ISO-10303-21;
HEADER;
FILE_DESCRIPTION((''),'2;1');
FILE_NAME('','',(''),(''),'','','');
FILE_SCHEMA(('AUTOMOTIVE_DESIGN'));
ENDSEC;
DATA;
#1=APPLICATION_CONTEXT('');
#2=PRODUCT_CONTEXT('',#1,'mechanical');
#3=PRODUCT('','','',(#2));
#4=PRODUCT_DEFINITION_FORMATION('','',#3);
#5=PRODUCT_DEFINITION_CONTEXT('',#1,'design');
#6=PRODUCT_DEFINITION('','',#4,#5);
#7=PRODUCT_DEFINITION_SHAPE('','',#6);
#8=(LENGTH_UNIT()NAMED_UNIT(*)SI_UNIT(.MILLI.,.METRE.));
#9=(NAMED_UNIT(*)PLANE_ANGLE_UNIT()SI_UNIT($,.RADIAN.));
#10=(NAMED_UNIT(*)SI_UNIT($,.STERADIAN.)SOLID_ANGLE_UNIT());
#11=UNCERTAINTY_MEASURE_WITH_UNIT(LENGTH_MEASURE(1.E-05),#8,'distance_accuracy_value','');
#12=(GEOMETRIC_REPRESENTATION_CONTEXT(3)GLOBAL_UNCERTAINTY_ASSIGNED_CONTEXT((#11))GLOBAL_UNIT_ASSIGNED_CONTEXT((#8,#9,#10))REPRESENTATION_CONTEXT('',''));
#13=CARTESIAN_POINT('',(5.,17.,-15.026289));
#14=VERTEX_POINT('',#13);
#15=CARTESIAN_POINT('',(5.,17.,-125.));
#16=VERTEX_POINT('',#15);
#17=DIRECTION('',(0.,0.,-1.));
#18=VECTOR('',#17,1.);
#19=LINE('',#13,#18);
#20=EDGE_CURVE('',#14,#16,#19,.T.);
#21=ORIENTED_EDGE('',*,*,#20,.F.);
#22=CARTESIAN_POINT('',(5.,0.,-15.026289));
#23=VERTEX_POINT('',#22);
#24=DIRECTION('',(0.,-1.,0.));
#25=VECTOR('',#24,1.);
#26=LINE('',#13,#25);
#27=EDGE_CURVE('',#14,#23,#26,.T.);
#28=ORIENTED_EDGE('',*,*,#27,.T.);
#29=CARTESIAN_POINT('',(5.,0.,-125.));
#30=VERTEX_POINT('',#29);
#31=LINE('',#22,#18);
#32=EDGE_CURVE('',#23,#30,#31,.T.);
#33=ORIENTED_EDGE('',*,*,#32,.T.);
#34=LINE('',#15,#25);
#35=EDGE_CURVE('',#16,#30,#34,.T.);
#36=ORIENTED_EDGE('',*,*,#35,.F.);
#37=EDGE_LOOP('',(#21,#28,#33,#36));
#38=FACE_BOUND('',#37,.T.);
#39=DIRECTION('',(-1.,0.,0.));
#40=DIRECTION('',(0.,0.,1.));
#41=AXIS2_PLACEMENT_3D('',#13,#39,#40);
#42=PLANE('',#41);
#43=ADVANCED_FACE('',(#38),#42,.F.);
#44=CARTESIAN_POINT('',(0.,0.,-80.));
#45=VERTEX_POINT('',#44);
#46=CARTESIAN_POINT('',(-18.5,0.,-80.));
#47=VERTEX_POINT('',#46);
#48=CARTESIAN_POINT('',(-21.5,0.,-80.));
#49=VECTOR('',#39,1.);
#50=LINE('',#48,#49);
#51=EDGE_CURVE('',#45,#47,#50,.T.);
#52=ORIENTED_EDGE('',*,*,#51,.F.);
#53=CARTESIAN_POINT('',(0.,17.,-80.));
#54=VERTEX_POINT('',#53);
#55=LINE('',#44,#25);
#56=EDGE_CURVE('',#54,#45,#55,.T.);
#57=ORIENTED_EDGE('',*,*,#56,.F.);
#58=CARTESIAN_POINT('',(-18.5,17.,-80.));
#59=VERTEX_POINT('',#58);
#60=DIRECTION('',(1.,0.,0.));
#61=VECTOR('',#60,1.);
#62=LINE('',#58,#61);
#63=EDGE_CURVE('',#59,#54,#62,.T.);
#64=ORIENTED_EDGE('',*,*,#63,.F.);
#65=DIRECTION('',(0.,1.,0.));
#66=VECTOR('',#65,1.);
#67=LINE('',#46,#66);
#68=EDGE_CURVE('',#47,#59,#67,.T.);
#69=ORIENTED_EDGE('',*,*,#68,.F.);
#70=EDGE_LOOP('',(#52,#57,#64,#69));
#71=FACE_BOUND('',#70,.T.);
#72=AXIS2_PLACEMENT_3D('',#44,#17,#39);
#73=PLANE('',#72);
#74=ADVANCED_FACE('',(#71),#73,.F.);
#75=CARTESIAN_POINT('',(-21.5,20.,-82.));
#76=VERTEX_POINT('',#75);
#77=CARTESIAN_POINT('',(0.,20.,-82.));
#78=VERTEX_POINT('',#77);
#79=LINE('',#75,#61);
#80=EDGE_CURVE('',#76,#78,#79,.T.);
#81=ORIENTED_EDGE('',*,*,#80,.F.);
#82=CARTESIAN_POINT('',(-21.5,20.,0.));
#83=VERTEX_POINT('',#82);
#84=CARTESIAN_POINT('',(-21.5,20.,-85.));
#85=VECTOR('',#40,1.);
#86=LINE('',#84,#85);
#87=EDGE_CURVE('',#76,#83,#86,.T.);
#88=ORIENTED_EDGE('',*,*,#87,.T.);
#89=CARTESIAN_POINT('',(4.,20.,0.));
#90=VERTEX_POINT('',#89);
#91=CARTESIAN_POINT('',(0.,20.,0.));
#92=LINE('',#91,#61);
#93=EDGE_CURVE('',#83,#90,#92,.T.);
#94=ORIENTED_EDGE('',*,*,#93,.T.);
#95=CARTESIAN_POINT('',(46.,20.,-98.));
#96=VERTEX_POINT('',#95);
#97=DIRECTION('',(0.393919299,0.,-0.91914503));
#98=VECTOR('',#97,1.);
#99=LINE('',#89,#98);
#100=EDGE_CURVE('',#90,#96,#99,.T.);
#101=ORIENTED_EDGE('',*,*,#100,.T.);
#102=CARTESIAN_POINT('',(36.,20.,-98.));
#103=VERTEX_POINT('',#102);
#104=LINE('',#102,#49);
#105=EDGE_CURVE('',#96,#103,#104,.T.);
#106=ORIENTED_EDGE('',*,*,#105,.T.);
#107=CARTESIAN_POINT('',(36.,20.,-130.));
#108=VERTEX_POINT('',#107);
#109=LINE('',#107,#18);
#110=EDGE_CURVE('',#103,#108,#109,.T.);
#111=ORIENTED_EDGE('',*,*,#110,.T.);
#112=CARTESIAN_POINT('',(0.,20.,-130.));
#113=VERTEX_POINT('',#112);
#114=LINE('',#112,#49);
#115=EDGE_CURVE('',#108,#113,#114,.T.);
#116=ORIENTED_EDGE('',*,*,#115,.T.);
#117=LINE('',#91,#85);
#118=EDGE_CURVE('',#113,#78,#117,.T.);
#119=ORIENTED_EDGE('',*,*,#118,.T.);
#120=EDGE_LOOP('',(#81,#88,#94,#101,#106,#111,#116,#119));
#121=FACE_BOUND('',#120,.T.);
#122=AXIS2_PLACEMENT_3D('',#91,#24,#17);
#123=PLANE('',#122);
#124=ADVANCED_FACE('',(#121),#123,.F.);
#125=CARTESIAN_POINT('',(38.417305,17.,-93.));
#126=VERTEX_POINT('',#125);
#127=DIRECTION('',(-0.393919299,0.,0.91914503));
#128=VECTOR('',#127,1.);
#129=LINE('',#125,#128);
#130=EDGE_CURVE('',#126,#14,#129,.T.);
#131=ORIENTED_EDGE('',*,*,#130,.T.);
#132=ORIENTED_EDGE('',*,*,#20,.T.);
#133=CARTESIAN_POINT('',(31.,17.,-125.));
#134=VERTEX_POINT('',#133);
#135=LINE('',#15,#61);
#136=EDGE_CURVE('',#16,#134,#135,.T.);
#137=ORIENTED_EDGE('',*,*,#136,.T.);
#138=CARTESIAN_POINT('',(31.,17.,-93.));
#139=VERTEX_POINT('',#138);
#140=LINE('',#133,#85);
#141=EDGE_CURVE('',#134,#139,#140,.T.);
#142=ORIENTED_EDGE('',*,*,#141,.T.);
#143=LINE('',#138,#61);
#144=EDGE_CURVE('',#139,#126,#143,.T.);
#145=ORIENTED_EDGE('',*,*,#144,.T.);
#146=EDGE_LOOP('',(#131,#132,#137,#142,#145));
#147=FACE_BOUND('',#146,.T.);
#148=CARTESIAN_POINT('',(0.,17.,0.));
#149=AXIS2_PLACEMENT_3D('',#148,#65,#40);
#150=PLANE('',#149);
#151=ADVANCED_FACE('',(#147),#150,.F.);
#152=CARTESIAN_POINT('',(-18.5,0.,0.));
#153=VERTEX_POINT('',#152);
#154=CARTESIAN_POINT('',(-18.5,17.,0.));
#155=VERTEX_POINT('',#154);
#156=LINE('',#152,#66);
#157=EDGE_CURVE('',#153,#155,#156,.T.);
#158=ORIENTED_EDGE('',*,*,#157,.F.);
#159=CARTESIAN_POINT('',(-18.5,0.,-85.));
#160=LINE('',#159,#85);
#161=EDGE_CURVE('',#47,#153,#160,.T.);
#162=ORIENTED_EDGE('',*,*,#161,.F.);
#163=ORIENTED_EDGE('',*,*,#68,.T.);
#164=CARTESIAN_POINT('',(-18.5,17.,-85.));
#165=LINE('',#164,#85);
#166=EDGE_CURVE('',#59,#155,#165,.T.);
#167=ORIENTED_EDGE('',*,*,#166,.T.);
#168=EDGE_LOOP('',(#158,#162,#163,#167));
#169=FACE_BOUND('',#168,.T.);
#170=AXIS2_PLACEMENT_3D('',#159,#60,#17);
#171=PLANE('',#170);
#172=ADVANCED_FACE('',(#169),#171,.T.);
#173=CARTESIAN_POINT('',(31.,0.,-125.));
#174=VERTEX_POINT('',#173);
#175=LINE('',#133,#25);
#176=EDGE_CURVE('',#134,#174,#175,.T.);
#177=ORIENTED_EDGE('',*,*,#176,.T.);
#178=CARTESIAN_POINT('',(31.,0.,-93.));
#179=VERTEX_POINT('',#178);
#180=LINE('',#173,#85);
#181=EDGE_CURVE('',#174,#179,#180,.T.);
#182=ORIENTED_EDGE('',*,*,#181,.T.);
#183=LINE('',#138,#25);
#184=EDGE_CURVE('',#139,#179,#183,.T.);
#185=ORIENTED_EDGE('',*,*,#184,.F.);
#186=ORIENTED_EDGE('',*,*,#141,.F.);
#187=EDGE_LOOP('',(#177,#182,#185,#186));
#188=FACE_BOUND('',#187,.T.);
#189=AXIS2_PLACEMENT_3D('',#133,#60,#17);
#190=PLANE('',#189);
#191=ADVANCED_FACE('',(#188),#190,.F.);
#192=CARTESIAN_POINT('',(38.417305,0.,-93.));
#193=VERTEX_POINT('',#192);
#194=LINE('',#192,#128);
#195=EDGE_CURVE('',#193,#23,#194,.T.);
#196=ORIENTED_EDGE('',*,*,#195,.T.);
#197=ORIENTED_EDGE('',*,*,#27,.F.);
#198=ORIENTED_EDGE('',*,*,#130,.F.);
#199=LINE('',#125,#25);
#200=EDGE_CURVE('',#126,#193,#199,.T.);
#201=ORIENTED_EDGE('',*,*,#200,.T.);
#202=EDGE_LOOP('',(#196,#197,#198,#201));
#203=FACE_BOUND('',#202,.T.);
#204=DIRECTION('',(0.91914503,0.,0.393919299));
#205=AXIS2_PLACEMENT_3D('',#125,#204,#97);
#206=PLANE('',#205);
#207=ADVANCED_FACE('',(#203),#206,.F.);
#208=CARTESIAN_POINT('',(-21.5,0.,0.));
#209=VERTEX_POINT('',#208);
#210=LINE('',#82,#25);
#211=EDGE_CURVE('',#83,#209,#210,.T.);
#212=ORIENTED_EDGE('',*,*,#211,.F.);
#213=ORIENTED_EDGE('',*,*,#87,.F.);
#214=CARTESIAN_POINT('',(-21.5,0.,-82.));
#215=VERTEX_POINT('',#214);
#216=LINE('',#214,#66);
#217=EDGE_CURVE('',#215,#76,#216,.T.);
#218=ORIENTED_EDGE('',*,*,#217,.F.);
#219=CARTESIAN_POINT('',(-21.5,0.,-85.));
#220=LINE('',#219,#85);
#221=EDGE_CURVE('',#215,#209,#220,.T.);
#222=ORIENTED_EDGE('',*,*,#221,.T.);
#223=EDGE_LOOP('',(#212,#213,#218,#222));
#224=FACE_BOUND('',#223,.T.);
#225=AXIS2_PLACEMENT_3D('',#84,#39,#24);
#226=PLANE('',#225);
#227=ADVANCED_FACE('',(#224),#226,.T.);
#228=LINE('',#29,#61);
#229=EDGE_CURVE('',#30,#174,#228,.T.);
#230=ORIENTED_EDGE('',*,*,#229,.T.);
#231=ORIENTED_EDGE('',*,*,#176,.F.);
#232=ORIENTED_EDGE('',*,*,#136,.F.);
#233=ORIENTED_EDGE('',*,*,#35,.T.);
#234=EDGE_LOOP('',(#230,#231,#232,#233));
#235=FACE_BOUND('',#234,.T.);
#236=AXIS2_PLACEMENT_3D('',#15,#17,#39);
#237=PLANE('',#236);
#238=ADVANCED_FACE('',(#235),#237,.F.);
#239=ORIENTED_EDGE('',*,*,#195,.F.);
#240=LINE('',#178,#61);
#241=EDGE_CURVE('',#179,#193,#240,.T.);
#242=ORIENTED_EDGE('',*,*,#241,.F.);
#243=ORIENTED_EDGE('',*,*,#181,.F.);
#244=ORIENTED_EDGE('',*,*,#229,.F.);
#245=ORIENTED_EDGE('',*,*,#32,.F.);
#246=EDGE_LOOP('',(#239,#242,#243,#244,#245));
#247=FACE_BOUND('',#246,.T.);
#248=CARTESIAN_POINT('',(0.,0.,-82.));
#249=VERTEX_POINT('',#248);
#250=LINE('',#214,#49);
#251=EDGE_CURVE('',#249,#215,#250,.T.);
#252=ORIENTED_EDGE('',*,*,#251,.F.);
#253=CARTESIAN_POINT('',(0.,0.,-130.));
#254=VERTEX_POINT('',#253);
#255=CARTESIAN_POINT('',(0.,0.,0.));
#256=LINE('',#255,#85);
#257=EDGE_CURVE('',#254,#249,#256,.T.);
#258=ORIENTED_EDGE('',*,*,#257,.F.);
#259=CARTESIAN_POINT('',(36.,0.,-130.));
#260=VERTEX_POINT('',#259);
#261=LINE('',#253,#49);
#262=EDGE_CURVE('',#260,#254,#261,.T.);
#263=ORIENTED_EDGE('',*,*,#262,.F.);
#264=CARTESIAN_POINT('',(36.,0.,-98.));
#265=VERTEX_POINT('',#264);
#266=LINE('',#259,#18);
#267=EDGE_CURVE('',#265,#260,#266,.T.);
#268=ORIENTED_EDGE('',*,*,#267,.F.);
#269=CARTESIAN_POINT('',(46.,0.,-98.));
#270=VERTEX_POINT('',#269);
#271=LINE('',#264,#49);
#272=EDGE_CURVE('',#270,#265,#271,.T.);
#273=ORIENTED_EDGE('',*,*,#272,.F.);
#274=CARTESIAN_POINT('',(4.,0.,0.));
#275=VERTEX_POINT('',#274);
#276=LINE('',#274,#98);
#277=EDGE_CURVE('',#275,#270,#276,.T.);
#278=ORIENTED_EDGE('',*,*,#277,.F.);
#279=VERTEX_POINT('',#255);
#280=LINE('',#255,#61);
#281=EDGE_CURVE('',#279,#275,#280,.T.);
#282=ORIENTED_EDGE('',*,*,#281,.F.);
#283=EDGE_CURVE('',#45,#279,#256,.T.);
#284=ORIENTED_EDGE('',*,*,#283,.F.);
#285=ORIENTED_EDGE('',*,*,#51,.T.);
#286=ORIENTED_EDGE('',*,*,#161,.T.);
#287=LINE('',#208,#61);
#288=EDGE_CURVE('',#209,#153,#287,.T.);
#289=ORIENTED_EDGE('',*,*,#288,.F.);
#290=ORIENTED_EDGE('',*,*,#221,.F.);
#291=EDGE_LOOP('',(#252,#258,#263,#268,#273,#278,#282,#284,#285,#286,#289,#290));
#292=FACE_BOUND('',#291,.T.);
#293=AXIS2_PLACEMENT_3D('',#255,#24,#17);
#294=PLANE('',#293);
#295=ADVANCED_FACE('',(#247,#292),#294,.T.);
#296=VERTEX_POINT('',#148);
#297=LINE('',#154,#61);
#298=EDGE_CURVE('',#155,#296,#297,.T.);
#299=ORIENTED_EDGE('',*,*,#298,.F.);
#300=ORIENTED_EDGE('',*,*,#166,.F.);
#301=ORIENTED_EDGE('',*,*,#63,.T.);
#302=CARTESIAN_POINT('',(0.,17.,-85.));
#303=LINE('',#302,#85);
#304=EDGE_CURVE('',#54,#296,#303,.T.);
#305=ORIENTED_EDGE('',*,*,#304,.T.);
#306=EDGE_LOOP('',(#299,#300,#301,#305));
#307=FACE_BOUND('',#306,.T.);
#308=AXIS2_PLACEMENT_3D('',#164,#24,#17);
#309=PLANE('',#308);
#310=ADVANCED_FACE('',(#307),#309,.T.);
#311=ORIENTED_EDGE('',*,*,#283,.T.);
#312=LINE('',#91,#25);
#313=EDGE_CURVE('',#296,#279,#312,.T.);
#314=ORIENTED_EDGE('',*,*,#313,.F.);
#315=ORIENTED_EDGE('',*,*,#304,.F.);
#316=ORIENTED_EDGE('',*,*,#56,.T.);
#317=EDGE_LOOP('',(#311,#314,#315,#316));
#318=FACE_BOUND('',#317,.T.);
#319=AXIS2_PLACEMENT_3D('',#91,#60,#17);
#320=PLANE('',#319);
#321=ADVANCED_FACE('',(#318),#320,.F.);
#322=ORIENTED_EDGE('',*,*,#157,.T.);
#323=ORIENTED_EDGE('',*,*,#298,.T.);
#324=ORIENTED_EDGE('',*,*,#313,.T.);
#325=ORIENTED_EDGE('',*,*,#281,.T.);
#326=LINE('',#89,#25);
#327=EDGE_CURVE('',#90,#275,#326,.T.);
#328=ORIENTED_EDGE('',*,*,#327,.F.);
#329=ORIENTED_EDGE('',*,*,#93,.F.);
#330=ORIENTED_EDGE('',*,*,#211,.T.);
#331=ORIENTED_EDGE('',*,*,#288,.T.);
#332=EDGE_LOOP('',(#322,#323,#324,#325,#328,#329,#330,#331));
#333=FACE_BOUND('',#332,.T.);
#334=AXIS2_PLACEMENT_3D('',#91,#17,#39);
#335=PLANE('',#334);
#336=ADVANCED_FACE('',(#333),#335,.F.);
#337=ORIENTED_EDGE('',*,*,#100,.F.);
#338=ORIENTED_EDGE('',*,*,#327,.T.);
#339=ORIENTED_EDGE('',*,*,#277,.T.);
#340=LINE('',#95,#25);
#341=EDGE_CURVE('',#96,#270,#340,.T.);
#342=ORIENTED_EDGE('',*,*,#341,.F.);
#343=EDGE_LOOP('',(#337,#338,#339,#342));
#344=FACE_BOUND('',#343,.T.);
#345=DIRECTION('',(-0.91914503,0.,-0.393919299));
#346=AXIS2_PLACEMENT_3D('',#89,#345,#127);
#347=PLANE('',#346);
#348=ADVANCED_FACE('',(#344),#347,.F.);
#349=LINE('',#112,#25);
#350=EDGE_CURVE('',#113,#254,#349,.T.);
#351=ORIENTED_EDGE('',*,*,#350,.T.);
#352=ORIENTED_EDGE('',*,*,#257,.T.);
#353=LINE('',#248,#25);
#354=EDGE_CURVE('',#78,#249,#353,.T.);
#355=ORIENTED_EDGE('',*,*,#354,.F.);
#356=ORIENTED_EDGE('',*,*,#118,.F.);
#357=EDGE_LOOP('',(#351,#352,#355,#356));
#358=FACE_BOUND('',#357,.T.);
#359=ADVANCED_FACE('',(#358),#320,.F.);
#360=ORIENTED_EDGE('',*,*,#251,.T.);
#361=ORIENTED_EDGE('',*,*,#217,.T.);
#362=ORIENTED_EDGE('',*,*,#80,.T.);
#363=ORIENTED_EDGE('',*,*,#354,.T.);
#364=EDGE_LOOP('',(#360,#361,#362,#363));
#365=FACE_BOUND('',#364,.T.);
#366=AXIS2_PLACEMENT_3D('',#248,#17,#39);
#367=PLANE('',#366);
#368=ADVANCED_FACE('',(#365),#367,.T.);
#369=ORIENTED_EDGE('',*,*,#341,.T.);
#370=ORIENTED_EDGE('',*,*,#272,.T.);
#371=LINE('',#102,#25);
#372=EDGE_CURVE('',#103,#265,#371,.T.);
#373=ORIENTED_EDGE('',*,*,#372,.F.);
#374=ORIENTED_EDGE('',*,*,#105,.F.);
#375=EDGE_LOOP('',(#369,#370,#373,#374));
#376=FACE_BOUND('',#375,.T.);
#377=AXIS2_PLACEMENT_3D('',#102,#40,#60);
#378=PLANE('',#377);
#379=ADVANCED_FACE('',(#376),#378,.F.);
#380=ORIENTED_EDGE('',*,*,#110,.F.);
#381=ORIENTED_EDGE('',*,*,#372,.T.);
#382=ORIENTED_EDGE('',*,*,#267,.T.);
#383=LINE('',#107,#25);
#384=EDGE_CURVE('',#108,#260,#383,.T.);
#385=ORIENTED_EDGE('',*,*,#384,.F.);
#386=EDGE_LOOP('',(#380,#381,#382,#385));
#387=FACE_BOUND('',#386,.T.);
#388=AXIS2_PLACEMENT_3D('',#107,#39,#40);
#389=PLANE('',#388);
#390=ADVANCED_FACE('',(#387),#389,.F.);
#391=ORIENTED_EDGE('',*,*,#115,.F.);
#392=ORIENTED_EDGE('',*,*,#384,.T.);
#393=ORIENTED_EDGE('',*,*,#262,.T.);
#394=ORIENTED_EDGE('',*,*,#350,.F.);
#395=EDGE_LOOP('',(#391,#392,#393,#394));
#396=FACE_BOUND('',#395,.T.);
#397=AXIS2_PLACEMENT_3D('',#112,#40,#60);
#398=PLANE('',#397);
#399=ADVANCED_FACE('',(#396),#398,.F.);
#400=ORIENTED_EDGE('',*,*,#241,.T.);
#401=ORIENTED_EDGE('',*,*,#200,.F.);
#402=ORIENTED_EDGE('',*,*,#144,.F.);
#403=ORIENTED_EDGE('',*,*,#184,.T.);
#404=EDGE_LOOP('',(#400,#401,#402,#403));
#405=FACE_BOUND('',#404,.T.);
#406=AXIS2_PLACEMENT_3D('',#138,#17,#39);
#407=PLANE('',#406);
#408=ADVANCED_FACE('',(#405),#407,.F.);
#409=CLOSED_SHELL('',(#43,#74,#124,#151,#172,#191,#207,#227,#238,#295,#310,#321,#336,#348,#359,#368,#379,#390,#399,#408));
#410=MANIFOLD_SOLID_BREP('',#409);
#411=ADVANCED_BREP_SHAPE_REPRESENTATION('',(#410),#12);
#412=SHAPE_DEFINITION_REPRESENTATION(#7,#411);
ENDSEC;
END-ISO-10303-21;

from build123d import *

# Parameters (mm, degrees)
BOSS_EXTRU_1_DEPTH      = 20
BOSS_EXTRU_2_DEPTH      = 85
ESQUISSE4_W             = 50
ESQUISSE4_H             = 20
ENL_V_MAT_EXTRU_1_DEPTH = 47
ENL_V_MAT_EXTRU_2_DEPTH = 17
ESQUISSE6_W             = 21.5
ESQUISSE6_H             = 20
BOSS_EXTRU_3_DEPTH      = 2


with BuildPart() as part:
    # Esquisse1 → Boss.-Extru.1 (new body)
    with BuildSketch(Plane(origin=(0, 0, 0), x_dir=(1, 0, 0), z_dir=(0, 1, 0))):
        Polygon((0, 0), (0, 130), (36, 130), (36, 98), (46, 98), (4, 0), align=None)
    extrude(amount=BOSS_EXTRU_1_DEPTH)

    # Esquisse3 → Boss.-Extru.2 (add)
    with BuildSketch(Plane.XY):
        Polygon((0, 20), (-21.5, 20), (-21.5, 0), (-18.5, 0), (-18.5, 17), (0, 17), align=None)
    extrude(amount=-BOSS_EXTRU_2_DEPTH)

    # Esquisse4 → Enlèv. mat.-Extru.1 (cut)
    with BuildSketch(Plane.ZY):
        with Locations((-105, 10)):
            Rectangle(ESQUISSE4_W, ESQUISSE4_H)
    extrude(amount=ENL_V_MAT_EXTRU_1_DEPTH, mode=Mode.SUBTRACT)

    # Esquisse5 → Enlèv. mat.-Extru.2 (cut)
    with BuildSketch(Plane.XZ):
        Polygon((5, -15.02628851), (5, -125), (31, -125), (31, -93), (38.417304924, -93), align=None)
    extrude(amount=-ENL_V_MAT_EXTRU_2_DEPTH, mode=Mode.SUBTRACT)

    # Esquisse6 → Boss.-Extru.3 (add)
    with BuildSketch(Plane(origin=(0, 0, -80), x_dir=(-1, 0, 0), z_dir=(0, 0, -1))):
        with Locations((10.75, 10)):
            Rectangle(ESQUISSE6_W, ESQUISSE6_H)
    extrude(amount=BOSS_EXTRU_3_DEPTH)


solid = part.part
